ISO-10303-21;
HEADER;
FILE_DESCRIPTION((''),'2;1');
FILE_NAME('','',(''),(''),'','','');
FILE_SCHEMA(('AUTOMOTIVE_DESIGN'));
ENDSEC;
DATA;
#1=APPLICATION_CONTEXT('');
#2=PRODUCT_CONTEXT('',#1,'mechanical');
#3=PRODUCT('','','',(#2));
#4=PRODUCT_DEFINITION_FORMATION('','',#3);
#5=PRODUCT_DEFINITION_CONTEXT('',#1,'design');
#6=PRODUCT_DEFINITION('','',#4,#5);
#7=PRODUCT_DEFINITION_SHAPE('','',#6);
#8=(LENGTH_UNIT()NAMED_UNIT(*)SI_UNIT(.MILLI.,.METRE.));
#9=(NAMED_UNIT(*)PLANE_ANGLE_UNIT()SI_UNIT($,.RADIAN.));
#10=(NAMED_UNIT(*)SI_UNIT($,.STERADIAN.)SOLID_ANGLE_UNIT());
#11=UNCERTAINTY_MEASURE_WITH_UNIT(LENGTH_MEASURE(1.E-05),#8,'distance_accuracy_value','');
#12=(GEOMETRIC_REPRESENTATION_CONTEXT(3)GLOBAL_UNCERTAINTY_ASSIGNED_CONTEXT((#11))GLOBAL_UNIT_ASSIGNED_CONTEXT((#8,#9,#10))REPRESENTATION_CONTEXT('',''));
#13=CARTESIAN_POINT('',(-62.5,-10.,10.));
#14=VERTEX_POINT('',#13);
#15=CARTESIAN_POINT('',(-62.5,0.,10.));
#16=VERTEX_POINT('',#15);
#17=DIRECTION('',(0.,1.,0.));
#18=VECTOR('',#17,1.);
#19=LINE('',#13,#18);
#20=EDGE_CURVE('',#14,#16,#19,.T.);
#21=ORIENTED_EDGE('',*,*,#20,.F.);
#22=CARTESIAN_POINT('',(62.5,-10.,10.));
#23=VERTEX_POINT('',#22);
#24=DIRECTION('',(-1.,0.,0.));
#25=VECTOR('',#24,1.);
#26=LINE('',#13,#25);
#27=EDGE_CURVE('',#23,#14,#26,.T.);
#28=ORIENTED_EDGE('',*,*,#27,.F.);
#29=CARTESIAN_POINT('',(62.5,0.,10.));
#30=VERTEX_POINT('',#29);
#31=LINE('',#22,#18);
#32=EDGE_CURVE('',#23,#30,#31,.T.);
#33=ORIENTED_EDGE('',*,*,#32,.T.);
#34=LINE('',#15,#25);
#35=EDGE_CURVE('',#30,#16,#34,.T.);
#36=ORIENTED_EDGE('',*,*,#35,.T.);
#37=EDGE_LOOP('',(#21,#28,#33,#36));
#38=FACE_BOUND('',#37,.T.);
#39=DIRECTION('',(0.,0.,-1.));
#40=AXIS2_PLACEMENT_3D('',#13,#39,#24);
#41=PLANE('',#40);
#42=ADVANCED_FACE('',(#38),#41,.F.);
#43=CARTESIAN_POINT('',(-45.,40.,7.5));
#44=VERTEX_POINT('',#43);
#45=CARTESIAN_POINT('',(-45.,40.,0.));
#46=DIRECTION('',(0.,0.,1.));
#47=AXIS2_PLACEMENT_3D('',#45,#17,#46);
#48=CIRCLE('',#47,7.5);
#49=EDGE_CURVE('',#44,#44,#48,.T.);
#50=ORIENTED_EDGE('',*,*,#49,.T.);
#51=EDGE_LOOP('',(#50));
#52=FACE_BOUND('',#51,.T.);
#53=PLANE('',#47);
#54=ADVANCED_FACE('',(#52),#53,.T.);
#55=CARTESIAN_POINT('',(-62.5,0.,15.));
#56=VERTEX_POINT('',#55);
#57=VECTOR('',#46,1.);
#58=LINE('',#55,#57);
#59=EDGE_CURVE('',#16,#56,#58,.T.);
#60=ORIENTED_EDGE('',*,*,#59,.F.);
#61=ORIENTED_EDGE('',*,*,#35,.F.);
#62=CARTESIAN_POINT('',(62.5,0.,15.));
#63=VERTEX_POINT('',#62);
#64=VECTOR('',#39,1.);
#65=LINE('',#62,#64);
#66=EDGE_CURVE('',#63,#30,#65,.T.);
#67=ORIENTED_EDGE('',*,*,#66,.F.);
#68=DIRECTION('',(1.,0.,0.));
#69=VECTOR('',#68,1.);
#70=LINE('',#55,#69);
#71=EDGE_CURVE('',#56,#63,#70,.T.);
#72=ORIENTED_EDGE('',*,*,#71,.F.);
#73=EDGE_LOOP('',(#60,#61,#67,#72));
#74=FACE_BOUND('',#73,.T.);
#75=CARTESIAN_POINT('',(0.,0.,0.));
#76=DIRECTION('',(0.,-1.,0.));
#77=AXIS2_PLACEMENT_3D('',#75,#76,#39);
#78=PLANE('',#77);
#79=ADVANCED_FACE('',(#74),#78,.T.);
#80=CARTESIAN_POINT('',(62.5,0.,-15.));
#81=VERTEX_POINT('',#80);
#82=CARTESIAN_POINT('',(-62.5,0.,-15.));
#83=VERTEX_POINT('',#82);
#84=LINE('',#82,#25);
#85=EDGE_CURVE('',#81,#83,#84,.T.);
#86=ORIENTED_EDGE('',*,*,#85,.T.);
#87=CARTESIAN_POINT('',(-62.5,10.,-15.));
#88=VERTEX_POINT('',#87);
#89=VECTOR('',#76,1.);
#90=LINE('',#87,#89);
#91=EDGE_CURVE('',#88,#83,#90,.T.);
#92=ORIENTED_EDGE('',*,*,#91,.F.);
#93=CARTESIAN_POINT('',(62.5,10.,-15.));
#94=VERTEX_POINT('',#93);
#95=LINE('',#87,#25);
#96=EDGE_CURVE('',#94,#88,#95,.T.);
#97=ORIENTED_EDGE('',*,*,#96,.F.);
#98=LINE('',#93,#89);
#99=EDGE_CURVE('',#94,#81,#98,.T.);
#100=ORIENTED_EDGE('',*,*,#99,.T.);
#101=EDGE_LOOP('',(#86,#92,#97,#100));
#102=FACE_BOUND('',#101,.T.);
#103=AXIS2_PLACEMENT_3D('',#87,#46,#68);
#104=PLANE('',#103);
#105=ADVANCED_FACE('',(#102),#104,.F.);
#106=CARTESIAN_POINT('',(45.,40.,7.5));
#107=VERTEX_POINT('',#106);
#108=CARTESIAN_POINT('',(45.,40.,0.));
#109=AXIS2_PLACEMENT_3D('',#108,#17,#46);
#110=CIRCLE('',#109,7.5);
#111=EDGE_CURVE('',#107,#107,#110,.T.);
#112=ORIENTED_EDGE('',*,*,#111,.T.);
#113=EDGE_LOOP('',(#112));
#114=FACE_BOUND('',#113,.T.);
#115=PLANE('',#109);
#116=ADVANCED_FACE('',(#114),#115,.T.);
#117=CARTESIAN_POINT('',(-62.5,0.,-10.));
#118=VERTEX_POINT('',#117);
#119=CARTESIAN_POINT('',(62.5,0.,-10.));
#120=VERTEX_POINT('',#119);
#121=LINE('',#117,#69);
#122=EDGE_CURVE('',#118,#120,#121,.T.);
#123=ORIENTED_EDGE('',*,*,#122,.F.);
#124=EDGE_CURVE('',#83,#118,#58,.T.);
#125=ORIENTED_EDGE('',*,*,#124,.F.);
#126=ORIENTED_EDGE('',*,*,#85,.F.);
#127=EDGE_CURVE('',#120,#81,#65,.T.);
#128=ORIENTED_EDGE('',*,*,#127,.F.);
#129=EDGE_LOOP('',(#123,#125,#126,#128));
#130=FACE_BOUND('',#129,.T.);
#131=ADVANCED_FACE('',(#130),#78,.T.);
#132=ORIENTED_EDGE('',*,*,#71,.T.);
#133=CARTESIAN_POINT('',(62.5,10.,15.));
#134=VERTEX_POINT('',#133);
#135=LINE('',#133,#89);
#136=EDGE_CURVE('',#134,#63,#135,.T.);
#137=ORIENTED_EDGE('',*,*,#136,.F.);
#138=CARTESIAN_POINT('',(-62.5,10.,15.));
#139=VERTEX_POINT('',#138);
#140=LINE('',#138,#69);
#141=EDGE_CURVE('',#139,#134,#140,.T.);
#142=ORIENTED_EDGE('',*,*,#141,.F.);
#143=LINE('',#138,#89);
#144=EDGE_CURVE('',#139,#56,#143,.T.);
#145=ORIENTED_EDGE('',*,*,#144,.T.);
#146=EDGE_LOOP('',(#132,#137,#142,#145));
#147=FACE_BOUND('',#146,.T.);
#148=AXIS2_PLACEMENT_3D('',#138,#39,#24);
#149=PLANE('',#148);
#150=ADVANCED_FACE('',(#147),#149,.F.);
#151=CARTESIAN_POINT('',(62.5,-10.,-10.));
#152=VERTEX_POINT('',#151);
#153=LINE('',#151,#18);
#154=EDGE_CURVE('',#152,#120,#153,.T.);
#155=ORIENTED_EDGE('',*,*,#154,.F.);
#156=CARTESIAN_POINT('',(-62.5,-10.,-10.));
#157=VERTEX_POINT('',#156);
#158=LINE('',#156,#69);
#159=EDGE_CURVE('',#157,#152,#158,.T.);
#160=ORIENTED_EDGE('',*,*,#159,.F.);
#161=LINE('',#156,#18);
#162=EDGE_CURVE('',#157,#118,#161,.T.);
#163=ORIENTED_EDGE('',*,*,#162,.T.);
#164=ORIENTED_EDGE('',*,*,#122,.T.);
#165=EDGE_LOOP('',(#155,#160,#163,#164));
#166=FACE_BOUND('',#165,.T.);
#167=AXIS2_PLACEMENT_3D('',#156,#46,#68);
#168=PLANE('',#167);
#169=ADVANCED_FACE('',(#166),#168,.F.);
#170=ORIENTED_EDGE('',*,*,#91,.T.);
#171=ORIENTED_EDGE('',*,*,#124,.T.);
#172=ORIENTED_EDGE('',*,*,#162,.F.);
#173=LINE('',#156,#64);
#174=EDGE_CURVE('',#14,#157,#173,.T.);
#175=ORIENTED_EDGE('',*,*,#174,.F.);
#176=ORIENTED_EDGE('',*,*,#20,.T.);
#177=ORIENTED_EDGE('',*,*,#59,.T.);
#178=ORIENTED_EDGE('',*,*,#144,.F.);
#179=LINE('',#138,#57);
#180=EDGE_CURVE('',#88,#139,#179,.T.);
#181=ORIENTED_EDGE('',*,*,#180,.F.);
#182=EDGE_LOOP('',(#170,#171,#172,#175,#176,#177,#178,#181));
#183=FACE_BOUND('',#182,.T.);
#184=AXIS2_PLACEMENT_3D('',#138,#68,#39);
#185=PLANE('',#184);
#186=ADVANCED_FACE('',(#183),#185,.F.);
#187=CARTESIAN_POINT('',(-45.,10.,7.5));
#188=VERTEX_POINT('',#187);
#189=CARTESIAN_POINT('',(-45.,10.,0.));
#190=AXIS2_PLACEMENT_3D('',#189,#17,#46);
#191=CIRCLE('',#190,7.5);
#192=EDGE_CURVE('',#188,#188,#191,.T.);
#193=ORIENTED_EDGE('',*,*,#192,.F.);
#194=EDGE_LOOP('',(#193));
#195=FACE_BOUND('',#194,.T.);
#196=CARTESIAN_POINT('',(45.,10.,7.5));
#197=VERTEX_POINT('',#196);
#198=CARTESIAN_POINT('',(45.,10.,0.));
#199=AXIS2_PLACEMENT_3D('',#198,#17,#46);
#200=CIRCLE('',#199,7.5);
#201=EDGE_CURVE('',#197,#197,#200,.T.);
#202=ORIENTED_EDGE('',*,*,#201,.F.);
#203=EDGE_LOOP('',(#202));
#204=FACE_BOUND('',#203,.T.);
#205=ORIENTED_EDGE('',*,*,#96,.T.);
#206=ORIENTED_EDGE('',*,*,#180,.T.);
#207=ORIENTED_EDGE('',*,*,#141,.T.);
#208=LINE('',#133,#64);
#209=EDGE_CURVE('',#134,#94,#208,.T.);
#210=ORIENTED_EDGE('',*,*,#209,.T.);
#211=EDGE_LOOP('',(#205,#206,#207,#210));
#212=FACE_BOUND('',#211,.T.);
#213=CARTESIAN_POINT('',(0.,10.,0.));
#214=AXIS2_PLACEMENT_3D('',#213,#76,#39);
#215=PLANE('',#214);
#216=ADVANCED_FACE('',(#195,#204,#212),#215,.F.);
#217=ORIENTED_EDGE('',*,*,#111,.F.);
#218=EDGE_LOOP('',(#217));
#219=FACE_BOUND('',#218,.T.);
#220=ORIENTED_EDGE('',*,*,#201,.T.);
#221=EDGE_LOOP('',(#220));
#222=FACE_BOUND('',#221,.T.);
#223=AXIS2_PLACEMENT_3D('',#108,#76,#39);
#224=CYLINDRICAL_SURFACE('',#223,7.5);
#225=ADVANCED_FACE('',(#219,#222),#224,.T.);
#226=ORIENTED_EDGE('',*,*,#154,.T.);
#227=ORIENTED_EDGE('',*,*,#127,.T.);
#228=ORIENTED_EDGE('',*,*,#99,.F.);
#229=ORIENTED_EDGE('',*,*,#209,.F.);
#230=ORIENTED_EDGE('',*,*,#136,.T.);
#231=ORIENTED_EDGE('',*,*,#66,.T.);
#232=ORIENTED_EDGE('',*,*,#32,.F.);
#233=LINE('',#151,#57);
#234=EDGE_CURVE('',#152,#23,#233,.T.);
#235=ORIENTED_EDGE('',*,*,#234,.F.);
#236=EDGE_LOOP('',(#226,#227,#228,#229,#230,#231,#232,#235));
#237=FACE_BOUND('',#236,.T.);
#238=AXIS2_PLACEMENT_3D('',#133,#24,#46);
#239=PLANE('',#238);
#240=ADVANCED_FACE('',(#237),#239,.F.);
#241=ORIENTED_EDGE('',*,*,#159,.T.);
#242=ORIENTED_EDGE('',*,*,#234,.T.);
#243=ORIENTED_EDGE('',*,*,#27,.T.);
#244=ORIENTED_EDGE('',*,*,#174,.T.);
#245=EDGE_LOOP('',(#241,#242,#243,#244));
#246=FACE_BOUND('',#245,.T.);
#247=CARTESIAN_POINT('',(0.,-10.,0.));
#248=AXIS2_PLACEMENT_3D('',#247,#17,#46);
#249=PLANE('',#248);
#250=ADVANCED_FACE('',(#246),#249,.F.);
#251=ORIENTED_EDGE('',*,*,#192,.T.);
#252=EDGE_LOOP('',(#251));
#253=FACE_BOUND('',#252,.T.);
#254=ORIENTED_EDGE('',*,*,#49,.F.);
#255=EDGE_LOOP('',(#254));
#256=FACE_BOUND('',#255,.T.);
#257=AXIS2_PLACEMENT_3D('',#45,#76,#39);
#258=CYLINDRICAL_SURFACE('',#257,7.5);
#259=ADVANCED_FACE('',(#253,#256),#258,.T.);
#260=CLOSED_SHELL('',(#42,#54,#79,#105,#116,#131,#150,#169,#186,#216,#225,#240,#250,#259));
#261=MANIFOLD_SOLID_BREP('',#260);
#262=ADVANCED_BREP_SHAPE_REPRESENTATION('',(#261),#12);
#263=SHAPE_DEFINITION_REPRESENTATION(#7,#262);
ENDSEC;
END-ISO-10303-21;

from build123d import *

# Parameters (mm, degrees)
SKETCH1_W           = 125
SKETCH1_H           = 30
SKETCH1_R           = 7.5
BOSS_EXTRUDE1_DEPTH = 10
SKETCH3_W           = 125
SKETCH3_H           = 20
BOSS_EXTRUDE2_DEPTH = 10
SKETCH4_R           = 7.5
BOSS_EXTRUDE3_DEPTH = 40


with BuildPart() as part:
    # Sketch1 → Boss-Extrude1 (new body)
    with BuildSketch(Plane(origin=(0, 0, 0), x_dir=(1, 0, 0), z_dir=(0, 1, 0))):
        Rectangle(SKETCH1_W, SKETCH1_H)
        with Locations(Location((-45, 0, 0), (0, 0, 270))):
            Circle(SKETCH1_R, mode=Mode.SUBTRACT)
        with Locations(Location((45, 0, 0), (0, 0, 270))):
            Circle(SKETCH1_R, mode=Mode.SUBTRACT)
    extrude(amount=BOSS_EXTRUDE1_DEPTH)

    # Sketch3 → Boss-Extrude2 (add)
    with BuildSketch(Plane.XZ):
        Rectangle(SKETCH3_W, SKETCH3_H)
    extrude(amount=BOSS_EXTRUDE2_DEPTH)

    # Sketch4 → Boss-Extrude3 (add)
    with BuildSketch(Plane(origin=(0, 0, 0), x_dir=(1, 0, 0), z_dir=(0, 1, 0))):
        with Locations(Location((45, 0, 0), (0, 0, 270))):
            Circle(SKETCH4_R)
        with Locations(Location((-45, 0, 0), (0, 0, 270))):
            Circle(SKETCH4_R)
    extrude(amount=BOSS_EXTRUDE3_DEPTH)


solid = part.part
